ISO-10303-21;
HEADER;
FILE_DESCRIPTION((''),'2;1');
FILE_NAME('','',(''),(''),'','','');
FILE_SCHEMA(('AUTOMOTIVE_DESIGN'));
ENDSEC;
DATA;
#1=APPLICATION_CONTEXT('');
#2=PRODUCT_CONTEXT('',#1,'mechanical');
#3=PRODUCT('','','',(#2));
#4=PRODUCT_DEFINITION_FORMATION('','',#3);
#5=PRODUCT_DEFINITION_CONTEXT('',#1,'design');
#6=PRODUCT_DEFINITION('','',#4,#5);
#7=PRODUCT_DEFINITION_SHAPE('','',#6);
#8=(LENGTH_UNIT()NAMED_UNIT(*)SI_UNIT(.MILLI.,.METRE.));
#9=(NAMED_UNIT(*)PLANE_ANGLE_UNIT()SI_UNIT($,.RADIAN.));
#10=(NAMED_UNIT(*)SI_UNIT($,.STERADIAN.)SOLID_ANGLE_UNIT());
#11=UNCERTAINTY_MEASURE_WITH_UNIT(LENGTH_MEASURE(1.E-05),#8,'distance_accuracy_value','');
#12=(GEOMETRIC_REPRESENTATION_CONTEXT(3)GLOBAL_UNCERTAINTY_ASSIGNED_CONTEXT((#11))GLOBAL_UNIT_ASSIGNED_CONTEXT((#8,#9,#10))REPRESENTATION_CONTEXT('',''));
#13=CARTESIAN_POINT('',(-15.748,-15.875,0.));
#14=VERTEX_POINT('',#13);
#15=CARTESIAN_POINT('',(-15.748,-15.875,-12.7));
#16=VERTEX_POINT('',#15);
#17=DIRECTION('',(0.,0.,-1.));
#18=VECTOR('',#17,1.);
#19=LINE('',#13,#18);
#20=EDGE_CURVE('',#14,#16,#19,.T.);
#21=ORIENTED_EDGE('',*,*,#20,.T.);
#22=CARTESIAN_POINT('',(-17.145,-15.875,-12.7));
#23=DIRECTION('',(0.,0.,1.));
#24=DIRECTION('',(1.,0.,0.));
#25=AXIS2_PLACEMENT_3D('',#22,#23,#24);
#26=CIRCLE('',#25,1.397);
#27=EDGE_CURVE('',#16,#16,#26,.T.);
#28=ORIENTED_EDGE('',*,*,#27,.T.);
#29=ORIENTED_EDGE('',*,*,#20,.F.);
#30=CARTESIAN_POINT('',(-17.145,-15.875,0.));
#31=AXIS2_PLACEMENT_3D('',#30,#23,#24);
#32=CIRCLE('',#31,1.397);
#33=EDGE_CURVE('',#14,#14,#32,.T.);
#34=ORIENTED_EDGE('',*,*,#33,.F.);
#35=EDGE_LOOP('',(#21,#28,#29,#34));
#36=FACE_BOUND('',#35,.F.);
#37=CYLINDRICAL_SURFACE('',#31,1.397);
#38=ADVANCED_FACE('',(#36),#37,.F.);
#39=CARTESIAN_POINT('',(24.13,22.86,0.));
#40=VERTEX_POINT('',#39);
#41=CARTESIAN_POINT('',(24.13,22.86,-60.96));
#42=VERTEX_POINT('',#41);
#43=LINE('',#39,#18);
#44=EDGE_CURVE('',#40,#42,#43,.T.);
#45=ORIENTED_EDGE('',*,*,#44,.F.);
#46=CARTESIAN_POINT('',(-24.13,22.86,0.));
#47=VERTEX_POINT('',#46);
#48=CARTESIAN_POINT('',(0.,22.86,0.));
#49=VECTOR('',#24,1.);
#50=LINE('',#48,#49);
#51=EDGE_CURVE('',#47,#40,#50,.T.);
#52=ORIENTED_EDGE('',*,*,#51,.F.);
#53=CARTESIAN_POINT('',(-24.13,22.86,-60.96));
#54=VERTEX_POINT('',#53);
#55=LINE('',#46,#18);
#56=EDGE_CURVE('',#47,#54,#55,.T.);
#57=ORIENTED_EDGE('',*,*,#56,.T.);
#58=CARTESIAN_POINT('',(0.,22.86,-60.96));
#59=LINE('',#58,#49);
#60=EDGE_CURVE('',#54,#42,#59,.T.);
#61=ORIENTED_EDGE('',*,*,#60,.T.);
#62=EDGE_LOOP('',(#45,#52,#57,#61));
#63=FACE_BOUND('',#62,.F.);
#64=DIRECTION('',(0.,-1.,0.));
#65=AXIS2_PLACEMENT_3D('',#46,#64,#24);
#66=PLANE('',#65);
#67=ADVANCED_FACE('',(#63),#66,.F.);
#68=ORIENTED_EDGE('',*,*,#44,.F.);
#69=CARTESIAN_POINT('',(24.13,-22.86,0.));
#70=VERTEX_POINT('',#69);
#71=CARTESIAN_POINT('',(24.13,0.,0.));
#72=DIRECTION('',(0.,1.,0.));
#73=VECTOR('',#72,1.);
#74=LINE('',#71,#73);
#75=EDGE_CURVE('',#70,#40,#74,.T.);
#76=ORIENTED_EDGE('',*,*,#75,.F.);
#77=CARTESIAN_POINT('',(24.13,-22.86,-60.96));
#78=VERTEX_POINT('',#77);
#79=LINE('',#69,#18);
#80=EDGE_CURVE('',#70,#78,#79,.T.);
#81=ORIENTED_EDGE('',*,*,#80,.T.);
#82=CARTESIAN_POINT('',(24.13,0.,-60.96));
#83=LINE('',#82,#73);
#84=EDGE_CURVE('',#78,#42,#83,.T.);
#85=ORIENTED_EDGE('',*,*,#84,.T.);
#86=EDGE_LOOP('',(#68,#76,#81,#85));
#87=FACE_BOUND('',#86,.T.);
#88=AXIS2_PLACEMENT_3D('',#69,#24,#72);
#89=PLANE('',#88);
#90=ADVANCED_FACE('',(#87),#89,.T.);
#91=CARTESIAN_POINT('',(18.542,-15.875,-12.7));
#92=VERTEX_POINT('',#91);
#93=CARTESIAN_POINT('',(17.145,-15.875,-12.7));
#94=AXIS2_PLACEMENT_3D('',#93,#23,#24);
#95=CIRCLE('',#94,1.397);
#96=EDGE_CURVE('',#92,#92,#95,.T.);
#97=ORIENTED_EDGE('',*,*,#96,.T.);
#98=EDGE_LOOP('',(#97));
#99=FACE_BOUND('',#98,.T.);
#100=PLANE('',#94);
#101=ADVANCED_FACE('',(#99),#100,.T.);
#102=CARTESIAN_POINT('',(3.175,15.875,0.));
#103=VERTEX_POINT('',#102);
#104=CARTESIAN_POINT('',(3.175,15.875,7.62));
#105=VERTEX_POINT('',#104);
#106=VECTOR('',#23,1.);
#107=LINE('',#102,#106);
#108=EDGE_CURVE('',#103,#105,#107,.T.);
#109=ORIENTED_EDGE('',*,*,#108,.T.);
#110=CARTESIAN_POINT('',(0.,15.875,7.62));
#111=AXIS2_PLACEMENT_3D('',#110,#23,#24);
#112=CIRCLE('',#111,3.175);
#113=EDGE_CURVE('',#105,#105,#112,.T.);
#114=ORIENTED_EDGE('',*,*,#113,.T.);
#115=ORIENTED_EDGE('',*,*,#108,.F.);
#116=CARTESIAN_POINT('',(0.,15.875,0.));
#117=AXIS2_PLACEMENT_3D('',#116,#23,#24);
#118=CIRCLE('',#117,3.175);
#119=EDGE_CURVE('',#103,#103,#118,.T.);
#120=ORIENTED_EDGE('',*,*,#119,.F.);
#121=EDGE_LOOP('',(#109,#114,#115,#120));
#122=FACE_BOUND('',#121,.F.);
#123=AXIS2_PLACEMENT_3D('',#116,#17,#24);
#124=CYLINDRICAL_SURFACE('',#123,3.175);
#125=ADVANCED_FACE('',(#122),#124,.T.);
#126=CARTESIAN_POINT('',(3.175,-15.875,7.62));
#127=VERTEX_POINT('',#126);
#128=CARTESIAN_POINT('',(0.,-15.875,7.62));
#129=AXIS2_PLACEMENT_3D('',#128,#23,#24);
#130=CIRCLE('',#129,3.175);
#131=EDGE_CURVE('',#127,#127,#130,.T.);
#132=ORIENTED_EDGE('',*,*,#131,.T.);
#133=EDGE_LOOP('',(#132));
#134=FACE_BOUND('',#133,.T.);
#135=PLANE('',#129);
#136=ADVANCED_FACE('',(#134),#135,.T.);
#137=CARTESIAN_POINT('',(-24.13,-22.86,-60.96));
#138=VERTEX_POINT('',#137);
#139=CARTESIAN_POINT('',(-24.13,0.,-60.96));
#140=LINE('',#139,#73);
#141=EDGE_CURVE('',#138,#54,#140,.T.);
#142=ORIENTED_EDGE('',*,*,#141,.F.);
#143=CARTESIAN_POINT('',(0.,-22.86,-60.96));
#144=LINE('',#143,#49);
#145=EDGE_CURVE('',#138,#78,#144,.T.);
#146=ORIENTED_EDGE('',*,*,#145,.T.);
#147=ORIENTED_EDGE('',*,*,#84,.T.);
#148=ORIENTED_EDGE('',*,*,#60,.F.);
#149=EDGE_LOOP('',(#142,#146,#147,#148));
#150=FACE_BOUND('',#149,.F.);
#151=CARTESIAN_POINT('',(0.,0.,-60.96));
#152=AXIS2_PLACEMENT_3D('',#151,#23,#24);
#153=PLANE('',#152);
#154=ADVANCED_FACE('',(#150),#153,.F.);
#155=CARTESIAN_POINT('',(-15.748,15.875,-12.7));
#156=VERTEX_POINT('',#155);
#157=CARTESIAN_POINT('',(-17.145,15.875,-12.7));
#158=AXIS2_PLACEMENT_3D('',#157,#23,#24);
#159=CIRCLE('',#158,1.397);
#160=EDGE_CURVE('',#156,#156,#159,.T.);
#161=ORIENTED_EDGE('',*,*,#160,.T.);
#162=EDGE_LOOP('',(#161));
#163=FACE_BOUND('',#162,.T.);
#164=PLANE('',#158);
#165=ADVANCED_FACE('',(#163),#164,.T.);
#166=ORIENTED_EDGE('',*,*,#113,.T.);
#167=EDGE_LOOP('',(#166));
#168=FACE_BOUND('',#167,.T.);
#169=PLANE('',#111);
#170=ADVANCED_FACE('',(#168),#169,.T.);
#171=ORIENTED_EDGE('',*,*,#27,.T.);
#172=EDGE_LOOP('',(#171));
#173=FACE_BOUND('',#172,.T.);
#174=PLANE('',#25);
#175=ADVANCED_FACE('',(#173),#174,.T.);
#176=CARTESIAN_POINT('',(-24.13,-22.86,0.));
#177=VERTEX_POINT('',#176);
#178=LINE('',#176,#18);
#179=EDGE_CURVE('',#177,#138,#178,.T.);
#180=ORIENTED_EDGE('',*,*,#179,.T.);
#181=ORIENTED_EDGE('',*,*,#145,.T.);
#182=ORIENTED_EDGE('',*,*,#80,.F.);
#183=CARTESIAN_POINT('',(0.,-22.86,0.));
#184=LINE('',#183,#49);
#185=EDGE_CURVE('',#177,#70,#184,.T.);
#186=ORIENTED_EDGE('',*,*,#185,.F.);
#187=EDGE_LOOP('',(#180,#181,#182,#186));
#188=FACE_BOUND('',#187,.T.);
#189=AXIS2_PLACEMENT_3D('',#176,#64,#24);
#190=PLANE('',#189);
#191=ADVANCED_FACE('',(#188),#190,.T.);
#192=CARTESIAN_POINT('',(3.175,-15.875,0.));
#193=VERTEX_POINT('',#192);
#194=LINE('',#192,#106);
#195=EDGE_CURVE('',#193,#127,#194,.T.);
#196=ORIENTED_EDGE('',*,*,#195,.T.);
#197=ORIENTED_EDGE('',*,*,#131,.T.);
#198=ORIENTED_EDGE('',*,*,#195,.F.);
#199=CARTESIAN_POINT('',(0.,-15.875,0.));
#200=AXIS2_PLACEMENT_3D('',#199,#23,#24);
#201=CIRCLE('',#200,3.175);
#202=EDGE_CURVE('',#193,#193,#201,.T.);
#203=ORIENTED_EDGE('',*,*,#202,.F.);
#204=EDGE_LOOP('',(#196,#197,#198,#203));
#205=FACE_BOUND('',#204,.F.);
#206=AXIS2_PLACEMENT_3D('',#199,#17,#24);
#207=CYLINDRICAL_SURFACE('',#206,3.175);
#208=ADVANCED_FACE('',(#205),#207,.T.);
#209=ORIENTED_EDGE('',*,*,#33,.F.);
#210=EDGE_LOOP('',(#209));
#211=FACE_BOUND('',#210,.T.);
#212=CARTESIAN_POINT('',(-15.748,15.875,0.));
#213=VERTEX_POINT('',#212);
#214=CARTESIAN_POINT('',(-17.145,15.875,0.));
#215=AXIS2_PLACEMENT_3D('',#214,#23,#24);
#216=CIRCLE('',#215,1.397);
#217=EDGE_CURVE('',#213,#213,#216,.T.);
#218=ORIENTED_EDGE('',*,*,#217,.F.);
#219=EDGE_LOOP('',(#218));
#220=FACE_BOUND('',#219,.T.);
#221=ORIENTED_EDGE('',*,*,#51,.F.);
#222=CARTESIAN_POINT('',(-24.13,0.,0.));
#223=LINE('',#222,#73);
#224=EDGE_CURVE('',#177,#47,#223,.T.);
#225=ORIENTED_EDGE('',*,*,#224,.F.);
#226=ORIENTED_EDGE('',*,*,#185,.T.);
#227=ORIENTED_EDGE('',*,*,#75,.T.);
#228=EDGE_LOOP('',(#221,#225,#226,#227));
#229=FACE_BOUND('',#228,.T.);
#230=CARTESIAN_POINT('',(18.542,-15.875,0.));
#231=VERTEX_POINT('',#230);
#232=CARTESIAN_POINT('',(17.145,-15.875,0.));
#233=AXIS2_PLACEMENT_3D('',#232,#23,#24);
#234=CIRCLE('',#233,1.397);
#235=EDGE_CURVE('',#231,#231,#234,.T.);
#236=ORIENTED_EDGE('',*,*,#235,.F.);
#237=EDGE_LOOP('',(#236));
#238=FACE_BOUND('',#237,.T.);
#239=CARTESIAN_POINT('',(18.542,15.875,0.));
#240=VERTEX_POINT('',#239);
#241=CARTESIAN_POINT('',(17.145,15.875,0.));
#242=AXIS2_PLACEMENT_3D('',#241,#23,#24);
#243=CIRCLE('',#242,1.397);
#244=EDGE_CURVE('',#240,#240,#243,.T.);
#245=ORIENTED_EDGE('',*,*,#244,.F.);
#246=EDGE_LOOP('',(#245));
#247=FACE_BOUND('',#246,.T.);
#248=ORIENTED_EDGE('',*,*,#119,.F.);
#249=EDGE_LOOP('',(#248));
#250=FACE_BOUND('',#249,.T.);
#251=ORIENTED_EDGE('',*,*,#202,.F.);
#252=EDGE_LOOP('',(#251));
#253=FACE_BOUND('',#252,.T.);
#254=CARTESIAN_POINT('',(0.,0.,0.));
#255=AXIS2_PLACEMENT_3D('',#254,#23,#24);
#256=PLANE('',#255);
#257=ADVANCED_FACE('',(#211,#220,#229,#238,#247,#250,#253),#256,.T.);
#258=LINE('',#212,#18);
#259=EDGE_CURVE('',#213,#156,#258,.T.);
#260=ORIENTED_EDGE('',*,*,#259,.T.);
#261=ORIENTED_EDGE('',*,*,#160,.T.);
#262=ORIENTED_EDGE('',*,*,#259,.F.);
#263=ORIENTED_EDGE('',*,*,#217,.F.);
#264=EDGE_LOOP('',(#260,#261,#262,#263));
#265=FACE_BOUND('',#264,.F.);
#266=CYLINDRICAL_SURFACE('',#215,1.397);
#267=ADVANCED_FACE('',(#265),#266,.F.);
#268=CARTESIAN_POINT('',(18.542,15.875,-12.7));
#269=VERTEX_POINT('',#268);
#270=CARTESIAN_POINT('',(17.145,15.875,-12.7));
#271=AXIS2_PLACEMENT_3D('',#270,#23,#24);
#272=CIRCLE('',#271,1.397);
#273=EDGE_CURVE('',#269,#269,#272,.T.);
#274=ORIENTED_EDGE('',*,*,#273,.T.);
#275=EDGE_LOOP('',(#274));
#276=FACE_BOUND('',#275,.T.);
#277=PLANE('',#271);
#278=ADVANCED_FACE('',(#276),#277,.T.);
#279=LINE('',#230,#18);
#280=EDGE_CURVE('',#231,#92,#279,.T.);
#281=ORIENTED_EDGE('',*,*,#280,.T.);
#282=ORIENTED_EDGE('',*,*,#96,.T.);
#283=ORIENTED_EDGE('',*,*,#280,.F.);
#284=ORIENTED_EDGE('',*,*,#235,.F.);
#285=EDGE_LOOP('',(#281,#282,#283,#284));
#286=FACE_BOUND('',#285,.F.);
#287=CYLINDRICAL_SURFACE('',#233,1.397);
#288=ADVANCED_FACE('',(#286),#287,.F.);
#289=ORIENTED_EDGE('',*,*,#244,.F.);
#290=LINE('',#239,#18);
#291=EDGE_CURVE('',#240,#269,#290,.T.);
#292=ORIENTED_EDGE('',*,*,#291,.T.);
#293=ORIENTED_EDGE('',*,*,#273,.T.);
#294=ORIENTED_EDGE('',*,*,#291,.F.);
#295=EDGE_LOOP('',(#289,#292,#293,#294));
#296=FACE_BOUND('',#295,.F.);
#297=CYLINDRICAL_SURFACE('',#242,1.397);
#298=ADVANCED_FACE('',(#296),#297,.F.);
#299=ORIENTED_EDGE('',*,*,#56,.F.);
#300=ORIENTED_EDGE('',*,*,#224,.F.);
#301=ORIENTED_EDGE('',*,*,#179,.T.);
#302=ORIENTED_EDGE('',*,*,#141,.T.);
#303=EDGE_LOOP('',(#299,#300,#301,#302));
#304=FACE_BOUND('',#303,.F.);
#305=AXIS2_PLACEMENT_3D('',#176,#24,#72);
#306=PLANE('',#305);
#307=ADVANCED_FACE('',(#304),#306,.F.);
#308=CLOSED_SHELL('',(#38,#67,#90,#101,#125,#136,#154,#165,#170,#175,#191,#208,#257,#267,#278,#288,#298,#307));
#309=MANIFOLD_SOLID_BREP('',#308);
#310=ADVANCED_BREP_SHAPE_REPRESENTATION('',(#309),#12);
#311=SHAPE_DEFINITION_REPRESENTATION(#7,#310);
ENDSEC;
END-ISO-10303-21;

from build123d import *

# Parameters (mm, degrees)
F0_W     = 48.26
F0_H     = 45.72
F0_R     = 1.397
F0_R_2   = 3.175
F1_DEPTH = 60.96
F2_DEPTH = 12.7
F3_DEPTH = 7.62


with BuildPart() as f1:
    # F0 (on Top) → F1 (new body)
    with BuildSketch(Plane.XY):
        Rectangle(F0_W, F0_H)
        with Locations((-17.145, -15.875)):
            Circle(F0_R, mode=Mode.SUBTRACT)
        with Locations((0, -15.875)):
            Circle(F0_R_2, mode=Mode.SUBTRACT)
        with Locations((17.145, -15.875)):
            Circle(F0_R, mode=Mode.SUBTRACT)
        with Locations((-17.145, 15.875)):
            Circle(F0_R, mode=Mode.SUBTRACT)
        with Locations((0, 15.875)):
            Circle(F0_R_2, mode=Mode.SUBTRACT)
        with Locations((17.145, 15.875)):
            Circle(F0_R, mode=Mode.SUBTRACT)
        with Locations((0, 15.875)):
            Circle(F0_R_2)
        with Locations((0, -15.875)):
            Circle(F0_R_2)
        with Locations((-17.145, 15.875)):
            Circle(F0_R)
        with Locations((-17.145, -15.875)):
            Circle(F0_R)
        with Locations((17.145, 15.875)):
            Circle(F0_R)
        with Locations((17.145, -15.875)):
            Circle(F0_R)
    extrude(amount=-F1_DEPTH)

    # F0 (on Top) → F2 (cut)
    with BuildSketch(Plane.XY):
        with Locations((-17.145, 15.875)):
            Circle(F0_R)
        with Locations((-17.145, -15.875)):
            Circle(F0_R)
        with Locations((17.145, 15.875)):
            Circle(F0_R)
        with Locations((17.145, -15.875)):
            Circle(F0_R)
    extrude(amount=-F2_DEPTH, mode=Mode.SUBTRACT)

    # F0 (on Top) → F3 (join)
    with BuildSketch(Plane.XY):
        with Locations((0, 15.875)):
            Circle(F0_R_2)
        with Locations((0, -15.875)):
            Circle(F0_R_2)
    extrude(amount=F3_DEPTH)


solid = f1.part
